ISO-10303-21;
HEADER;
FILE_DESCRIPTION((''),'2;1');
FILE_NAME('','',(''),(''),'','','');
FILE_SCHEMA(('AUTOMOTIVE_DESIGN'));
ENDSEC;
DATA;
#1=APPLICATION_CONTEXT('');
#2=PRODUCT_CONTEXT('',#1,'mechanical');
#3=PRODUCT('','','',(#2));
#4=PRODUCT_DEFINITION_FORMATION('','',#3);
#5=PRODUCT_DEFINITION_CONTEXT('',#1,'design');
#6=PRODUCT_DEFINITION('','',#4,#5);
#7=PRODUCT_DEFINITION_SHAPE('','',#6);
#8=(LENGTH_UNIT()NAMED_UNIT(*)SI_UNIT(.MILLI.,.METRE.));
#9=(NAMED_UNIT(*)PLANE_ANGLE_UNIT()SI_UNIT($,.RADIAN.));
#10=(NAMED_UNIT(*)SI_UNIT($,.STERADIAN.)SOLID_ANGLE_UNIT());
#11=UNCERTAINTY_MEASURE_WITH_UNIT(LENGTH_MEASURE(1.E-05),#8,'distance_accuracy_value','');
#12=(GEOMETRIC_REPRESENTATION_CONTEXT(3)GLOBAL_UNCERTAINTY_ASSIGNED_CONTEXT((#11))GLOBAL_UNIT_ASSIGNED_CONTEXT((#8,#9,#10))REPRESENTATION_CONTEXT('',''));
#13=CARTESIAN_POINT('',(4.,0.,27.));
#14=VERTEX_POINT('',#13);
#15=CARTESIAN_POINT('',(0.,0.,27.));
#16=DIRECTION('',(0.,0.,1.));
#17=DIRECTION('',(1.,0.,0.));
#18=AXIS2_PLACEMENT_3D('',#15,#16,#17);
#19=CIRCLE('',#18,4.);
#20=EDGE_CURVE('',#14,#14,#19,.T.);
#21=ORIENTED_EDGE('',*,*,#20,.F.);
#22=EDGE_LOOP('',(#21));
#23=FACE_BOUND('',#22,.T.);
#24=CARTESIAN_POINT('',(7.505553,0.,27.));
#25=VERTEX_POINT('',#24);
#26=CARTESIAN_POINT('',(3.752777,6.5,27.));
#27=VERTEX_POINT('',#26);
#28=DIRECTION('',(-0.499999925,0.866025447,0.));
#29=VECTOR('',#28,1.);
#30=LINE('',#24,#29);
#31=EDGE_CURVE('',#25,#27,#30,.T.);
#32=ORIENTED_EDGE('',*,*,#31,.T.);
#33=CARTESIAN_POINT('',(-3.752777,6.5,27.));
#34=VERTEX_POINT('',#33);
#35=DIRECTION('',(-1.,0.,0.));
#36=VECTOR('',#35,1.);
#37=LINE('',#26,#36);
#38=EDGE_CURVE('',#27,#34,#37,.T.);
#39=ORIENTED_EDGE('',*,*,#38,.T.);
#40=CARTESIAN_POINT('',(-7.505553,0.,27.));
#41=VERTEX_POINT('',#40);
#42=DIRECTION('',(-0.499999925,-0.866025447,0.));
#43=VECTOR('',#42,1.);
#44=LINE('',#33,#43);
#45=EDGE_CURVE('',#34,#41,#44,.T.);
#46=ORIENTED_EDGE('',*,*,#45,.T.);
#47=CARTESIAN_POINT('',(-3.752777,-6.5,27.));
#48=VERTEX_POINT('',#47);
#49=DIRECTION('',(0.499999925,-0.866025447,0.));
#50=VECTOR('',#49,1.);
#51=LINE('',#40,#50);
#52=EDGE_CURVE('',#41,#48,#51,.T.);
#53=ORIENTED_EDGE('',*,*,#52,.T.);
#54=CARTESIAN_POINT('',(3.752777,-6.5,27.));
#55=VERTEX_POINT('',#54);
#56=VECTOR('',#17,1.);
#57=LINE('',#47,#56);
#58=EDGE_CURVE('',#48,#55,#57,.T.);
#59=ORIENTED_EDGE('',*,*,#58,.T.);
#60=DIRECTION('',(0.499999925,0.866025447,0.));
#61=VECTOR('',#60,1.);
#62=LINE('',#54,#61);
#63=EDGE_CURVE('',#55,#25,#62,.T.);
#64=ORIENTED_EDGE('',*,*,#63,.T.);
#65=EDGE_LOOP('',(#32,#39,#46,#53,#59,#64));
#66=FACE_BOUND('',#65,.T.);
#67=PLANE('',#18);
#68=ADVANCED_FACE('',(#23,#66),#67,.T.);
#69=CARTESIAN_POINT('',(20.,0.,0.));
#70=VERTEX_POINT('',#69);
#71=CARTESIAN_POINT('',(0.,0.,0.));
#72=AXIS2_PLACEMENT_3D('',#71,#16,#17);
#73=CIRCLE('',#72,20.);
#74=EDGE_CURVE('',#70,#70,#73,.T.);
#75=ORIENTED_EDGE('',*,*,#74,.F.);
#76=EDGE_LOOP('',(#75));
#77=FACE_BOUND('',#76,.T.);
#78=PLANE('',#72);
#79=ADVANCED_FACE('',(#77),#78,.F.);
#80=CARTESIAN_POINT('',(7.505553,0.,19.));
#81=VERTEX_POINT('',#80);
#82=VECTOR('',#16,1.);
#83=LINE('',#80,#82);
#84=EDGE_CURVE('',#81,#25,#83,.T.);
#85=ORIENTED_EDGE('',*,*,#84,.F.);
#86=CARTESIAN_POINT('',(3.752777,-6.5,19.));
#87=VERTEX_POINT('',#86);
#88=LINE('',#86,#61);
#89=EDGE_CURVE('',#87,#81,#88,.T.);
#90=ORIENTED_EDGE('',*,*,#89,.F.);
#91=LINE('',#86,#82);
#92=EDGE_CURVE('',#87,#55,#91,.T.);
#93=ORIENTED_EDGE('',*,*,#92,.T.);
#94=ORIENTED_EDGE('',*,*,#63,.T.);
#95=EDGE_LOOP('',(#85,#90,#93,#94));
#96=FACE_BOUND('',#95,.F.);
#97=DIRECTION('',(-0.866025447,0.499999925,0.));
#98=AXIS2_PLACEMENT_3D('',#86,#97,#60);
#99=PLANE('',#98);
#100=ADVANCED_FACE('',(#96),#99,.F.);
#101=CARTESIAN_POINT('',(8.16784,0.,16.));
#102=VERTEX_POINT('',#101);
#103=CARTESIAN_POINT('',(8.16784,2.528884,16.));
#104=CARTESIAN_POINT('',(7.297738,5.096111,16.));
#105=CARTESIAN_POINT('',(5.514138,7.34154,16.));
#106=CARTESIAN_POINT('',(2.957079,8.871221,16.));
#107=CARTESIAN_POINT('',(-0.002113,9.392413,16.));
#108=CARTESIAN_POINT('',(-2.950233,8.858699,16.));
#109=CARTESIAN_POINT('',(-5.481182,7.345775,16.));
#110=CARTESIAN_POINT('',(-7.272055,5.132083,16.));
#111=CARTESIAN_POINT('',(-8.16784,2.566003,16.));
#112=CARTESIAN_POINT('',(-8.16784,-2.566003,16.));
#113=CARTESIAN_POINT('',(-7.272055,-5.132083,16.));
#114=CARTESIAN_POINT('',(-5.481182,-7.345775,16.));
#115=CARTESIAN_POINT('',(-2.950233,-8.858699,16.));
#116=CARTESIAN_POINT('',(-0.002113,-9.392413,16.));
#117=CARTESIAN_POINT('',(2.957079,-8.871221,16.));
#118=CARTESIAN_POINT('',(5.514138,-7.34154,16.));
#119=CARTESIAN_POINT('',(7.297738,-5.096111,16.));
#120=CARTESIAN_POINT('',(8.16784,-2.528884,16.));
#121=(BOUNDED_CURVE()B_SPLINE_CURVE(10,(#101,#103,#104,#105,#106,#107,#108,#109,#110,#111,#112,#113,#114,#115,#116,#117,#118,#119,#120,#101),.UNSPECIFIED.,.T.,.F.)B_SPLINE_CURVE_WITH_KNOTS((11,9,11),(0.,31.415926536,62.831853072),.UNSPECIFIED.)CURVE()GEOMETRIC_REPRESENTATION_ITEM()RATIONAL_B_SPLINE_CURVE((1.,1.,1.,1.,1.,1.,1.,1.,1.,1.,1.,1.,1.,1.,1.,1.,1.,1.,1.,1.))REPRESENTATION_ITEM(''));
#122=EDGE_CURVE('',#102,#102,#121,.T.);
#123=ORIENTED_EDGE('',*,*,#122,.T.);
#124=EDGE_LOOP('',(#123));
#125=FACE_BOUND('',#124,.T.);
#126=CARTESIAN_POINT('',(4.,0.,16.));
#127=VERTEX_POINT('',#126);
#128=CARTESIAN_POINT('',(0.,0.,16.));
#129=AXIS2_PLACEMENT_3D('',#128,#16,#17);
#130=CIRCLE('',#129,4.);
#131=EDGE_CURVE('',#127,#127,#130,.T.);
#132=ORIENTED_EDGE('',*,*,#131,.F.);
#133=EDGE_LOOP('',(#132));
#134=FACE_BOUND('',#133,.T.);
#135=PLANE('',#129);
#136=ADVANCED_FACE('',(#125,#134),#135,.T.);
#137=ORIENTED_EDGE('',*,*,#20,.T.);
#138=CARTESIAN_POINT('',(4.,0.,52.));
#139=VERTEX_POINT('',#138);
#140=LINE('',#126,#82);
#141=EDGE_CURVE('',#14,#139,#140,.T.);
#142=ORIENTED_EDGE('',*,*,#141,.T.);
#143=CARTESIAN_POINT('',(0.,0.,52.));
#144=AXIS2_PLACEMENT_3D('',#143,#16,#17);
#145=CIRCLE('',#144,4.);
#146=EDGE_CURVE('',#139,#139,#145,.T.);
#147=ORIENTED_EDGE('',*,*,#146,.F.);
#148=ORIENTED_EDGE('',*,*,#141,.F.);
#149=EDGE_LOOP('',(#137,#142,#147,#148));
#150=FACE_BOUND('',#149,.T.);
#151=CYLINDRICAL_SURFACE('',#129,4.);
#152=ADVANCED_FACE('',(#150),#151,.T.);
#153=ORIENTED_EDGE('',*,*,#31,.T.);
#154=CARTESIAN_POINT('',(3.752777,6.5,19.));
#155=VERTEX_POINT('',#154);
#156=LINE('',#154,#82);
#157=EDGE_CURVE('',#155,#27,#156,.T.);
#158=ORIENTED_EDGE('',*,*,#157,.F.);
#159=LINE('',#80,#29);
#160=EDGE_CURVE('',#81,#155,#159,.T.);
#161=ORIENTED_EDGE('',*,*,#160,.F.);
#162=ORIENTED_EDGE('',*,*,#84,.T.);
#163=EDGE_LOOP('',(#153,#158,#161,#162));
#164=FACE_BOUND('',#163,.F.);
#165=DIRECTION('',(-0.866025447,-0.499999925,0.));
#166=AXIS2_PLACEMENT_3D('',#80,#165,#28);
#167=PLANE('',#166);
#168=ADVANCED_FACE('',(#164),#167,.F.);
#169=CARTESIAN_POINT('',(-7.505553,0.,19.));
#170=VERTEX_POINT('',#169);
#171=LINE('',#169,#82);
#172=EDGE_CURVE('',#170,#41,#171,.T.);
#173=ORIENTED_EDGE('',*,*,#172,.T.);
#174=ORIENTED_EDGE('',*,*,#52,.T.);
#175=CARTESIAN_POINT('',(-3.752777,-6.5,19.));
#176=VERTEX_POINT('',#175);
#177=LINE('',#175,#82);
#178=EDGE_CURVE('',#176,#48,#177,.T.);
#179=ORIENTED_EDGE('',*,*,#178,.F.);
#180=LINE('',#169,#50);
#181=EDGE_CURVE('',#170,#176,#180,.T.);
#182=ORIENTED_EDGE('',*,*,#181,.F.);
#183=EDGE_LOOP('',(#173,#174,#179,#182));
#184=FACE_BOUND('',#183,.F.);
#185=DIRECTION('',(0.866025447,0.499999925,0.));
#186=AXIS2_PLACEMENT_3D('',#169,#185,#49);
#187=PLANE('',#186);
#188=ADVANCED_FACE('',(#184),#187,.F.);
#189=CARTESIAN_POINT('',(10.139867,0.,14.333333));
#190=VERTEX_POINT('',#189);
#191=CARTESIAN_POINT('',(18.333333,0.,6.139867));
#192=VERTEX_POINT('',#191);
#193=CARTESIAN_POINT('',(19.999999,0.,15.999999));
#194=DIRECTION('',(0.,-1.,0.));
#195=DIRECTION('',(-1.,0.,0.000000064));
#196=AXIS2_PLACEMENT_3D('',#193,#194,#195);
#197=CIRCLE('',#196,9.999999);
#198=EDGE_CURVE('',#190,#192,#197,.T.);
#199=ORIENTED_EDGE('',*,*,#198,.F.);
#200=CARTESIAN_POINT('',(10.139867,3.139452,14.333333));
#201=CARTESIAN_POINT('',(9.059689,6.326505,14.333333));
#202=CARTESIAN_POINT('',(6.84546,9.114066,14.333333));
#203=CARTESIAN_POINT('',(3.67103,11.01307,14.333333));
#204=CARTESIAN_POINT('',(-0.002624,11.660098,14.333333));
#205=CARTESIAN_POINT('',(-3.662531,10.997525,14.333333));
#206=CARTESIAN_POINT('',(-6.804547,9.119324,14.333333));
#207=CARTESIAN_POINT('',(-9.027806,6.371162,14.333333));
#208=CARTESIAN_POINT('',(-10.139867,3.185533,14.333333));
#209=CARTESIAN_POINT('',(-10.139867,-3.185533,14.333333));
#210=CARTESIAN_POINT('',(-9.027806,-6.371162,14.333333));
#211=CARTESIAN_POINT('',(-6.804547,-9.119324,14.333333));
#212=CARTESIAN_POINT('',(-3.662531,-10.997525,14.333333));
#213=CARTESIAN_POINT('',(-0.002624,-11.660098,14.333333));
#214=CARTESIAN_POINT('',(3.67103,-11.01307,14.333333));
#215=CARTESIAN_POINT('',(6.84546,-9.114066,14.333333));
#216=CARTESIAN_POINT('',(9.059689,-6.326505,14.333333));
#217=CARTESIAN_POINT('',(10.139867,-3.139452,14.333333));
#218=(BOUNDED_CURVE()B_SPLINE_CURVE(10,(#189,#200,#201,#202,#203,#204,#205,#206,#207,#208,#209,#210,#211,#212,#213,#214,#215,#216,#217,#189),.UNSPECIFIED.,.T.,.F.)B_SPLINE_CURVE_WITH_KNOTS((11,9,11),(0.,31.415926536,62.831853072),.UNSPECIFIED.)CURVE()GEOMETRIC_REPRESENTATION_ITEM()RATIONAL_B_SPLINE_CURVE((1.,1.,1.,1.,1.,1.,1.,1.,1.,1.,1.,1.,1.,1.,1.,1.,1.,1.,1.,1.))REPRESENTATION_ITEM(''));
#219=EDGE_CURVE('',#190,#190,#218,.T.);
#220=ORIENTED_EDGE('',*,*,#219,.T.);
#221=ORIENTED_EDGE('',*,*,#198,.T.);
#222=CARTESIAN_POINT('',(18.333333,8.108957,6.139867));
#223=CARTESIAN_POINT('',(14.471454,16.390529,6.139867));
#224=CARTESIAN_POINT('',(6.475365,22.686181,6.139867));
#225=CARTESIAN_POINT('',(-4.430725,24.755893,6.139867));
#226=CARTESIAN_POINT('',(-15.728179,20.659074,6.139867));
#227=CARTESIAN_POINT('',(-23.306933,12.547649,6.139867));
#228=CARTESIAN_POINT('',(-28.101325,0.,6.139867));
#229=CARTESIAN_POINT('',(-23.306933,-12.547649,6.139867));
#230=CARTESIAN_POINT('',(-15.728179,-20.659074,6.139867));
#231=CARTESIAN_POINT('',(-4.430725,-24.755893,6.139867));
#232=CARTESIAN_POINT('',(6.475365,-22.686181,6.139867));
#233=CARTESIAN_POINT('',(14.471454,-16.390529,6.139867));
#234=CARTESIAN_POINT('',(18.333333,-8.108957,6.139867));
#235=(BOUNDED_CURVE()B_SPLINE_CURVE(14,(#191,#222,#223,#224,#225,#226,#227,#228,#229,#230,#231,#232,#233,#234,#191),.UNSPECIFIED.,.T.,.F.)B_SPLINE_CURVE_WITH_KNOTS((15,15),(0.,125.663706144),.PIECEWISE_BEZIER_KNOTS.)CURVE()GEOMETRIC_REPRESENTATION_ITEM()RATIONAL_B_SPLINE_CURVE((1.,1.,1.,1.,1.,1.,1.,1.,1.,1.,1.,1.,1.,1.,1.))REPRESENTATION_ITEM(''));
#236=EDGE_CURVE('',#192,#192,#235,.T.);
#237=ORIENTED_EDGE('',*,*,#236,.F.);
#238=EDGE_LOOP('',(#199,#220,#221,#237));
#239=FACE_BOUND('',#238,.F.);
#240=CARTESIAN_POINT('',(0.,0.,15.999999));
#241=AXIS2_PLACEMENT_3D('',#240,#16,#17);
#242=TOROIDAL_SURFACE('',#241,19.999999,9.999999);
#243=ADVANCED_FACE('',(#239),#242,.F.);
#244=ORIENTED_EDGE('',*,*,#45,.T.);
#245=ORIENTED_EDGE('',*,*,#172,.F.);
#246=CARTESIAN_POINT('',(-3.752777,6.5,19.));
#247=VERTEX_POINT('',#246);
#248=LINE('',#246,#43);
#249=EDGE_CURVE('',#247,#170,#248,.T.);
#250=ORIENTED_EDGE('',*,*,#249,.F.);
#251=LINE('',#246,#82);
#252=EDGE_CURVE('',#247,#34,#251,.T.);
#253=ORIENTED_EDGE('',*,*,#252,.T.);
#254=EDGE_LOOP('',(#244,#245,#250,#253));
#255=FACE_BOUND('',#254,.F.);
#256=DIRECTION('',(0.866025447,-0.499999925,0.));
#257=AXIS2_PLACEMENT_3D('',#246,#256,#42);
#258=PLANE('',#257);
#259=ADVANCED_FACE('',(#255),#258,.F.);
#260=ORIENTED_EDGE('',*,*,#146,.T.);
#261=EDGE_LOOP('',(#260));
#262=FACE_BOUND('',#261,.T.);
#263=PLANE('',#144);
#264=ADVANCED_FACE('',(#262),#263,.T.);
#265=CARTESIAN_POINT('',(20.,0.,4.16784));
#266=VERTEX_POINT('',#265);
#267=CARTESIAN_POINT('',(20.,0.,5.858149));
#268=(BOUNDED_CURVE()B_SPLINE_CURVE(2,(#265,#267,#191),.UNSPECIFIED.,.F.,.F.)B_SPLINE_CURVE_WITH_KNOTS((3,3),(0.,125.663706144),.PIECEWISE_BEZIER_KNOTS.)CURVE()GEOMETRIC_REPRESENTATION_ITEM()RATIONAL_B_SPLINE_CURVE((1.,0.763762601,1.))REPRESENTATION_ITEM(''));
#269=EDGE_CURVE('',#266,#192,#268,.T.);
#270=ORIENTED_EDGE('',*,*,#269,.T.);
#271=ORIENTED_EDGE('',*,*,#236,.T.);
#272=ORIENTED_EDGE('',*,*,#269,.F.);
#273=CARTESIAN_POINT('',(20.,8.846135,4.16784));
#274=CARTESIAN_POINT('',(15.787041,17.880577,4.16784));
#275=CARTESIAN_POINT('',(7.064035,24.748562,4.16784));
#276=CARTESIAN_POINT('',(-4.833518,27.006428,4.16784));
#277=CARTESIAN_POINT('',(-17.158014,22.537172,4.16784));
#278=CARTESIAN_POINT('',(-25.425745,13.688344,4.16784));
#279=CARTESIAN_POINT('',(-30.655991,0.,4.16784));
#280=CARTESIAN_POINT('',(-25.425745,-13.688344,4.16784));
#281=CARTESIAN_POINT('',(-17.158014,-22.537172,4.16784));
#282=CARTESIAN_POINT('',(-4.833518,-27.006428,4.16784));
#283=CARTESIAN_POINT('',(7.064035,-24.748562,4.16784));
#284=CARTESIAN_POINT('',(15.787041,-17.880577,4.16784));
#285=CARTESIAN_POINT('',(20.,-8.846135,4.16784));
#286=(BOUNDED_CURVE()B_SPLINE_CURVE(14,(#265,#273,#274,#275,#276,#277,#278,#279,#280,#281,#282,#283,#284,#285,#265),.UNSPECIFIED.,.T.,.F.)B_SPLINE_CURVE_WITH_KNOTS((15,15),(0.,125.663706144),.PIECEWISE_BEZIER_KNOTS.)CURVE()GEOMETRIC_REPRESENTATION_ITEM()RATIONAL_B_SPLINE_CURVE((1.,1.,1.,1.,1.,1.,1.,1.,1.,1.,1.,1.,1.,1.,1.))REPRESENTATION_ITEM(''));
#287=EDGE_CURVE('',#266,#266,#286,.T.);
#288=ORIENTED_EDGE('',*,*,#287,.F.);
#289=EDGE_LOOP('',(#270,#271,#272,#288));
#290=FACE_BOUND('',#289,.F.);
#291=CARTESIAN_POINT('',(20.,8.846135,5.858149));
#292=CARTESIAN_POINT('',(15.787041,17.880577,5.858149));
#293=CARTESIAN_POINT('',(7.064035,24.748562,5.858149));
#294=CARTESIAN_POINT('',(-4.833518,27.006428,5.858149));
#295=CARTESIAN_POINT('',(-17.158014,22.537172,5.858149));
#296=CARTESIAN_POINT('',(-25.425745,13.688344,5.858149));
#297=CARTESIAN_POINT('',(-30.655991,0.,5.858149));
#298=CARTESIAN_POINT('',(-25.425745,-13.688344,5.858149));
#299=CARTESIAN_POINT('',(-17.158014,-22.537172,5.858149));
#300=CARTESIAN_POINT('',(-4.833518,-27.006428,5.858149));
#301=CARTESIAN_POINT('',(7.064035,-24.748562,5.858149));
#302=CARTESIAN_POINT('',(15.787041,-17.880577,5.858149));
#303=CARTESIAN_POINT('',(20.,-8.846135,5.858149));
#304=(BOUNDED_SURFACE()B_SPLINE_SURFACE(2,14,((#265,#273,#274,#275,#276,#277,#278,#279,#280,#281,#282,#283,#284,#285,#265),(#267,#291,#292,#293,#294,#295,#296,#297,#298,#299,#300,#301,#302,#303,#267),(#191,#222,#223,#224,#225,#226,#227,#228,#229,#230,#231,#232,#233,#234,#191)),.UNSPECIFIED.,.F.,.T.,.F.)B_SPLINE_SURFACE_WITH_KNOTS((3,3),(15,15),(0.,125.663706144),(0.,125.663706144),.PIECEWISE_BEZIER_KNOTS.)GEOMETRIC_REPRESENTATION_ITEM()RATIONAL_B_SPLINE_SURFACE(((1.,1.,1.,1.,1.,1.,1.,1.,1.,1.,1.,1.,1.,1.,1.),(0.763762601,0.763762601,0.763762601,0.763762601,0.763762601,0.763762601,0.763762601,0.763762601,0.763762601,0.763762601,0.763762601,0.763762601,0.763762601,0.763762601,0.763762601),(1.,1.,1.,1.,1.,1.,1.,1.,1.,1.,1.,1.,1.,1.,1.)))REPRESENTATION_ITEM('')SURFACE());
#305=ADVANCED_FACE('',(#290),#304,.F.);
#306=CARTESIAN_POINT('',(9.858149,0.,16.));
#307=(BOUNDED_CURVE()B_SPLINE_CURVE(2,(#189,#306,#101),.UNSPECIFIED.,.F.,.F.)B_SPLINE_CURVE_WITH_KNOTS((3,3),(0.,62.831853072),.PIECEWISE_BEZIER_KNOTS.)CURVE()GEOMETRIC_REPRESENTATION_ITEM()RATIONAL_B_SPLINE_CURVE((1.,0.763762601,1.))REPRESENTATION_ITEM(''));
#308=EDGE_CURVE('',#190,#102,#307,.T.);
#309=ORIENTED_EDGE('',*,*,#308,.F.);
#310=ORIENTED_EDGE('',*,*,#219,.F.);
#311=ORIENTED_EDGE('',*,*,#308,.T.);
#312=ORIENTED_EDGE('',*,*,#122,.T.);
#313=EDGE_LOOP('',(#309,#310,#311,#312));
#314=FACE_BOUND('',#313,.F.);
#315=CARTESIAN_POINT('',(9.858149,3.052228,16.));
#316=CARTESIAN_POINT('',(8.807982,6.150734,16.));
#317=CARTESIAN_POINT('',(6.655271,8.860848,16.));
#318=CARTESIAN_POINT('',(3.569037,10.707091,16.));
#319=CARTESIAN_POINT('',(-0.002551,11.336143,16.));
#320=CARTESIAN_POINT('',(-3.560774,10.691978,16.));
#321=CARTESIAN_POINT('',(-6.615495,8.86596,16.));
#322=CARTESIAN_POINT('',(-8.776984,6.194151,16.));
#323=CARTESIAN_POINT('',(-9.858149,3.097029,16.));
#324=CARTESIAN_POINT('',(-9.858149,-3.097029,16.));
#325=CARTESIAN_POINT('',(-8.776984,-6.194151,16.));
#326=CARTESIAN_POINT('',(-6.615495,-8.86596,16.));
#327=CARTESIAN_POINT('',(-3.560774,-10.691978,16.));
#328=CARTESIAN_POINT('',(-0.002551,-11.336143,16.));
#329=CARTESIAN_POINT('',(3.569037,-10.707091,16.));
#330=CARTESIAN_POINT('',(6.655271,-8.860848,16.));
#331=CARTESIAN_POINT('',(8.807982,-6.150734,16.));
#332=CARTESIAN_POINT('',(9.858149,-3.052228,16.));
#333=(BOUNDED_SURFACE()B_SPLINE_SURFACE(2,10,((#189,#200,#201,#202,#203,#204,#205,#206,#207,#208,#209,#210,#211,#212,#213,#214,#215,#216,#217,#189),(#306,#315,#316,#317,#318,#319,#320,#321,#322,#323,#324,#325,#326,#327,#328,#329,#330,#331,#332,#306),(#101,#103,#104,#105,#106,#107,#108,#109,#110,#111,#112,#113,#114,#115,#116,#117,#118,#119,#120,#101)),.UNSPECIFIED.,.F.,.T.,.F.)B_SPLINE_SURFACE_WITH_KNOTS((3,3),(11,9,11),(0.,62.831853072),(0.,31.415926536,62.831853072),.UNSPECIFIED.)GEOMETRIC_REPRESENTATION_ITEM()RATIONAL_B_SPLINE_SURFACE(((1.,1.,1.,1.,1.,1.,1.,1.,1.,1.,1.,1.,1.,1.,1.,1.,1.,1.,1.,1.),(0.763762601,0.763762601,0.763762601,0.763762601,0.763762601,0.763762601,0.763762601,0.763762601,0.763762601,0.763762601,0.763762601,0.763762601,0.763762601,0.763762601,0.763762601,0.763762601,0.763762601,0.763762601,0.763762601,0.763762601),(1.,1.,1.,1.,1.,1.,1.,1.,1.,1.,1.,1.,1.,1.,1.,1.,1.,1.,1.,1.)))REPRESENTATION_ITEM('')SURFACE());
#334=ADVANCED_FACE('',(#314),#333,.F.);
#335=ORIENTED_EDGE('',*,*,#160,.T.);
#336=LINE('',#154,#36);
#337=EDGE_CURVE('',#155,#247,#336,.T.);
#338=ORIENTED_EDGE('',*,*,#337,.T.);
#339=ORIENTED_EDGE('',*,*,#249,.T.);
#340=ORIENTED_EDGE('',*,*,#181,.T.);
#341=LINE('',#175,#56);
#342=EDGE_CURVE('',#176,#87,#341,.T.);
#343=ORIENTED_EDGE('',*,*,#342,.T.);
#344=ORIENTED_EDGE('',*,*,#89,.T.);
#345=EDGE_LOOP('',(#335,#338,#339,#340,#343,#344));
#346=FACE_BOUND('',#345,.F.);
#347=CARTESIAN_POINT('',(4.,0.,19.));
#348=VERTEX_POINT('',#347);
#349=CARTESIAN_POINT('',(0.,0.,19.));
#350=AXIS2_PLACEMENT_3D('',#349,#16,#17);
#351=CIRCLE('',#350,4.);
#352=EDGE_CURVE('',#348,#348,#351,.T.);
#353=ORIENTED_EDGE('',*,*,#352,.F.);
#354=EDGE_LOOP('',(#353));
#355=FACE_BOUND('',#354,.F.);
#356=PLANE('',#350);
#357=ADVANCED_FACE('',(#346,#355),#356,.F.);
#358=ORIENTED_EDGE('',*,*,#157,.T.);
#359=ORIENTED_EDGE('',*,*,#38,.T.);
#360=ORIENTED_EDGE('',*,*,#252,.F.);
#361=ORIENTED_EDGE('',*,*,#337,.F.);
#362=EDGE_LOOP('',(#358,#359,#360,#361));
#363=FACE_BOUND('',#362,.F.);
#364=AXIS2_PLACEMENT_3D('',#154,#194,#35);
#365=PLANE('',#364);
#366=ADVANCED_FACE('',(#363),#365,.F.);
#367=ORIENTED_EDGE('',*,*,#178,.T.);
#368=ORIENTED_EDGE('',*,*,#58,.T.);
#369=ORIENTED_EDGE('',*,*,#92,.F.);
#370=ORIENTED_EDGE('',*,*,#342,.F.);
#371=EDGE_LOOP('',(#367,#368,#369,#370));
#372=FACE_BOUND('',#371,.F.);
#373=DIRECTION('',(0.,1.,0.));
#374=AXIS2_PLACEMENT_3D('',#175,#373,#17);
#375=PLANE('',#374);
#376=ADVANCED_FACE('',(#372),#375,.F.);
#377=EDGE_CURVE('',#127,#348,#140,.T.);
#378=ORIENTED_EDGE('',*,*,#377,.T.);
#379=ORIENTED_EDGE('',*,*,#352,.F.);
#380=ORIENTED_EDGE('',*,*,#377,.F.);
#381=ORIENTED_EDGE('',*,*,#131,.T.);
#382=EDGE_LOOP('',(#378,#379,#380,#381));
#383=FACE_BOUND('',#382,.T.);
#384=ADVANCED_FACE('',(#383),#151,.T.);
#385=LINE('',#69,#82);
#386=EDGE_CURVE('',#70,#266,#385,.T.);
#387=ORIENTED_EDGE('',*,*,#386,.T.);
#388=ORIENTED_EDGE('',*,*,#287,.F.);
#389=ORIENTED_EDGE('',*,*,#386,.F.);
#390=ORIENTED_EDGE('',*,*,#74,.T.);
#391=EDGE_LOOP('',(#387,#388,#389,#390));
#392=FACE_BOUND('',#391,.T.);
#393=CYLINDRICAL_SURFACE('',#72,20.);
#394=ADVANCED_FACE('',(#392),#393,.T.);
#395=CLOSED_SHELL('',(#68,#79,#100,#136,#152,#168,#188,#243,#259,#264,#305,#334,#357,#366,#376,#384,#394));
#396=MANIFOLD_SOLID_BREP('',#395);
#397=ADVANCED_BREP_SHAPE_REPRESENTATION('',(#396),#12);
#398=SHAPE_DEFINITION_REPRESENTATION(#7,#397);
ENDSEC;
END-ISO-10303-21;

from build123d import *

# Parameters (mm, degrees)
FILLET_R  = 2
PAD_DEPTH = 8


with BuildPart() as part:
    # Sketch → Revolution (revolve)
    with BuildSketch(Plane.XZ):
        with BuildLine():
            Line((0, 0), (20, 0))
            Line((20, 0), (20, 6))
            ThreePointArc((10, 16), (12.928932, 8.928932), (20, 6))
            Line((10, 16), (4, 16))
            Line((4, 16), (4, 52))
            Line((4, 52), (0, 52))
            Line((0, 52), (0, 0))
        make_face()
    revolve(axis=Axis((0, 0, 0), (0, 0, 1)))

    # Fillet
    fillet_edges = [part.edges().sort_by_distance(p)[0] for p in [
        (-10, 0, 16),
        (-20, 0, 6),
    ]]
    fillet(fillet_edges, radius=FILLET_R)

    # Sketch001 (on DatumPlane) → Pad (new body)
    with BuildSketch(Plane.XY.offset(19)):
        Polygon((3.752777, 6.5), (-3.752777, 6.5), (-7.505553, 0), (-3.752777, -6.5), (3.752777, -6.5), (7.505553, 0), align=None)
    extrude(amount=PAD_DEPTH)


solid = part.part
